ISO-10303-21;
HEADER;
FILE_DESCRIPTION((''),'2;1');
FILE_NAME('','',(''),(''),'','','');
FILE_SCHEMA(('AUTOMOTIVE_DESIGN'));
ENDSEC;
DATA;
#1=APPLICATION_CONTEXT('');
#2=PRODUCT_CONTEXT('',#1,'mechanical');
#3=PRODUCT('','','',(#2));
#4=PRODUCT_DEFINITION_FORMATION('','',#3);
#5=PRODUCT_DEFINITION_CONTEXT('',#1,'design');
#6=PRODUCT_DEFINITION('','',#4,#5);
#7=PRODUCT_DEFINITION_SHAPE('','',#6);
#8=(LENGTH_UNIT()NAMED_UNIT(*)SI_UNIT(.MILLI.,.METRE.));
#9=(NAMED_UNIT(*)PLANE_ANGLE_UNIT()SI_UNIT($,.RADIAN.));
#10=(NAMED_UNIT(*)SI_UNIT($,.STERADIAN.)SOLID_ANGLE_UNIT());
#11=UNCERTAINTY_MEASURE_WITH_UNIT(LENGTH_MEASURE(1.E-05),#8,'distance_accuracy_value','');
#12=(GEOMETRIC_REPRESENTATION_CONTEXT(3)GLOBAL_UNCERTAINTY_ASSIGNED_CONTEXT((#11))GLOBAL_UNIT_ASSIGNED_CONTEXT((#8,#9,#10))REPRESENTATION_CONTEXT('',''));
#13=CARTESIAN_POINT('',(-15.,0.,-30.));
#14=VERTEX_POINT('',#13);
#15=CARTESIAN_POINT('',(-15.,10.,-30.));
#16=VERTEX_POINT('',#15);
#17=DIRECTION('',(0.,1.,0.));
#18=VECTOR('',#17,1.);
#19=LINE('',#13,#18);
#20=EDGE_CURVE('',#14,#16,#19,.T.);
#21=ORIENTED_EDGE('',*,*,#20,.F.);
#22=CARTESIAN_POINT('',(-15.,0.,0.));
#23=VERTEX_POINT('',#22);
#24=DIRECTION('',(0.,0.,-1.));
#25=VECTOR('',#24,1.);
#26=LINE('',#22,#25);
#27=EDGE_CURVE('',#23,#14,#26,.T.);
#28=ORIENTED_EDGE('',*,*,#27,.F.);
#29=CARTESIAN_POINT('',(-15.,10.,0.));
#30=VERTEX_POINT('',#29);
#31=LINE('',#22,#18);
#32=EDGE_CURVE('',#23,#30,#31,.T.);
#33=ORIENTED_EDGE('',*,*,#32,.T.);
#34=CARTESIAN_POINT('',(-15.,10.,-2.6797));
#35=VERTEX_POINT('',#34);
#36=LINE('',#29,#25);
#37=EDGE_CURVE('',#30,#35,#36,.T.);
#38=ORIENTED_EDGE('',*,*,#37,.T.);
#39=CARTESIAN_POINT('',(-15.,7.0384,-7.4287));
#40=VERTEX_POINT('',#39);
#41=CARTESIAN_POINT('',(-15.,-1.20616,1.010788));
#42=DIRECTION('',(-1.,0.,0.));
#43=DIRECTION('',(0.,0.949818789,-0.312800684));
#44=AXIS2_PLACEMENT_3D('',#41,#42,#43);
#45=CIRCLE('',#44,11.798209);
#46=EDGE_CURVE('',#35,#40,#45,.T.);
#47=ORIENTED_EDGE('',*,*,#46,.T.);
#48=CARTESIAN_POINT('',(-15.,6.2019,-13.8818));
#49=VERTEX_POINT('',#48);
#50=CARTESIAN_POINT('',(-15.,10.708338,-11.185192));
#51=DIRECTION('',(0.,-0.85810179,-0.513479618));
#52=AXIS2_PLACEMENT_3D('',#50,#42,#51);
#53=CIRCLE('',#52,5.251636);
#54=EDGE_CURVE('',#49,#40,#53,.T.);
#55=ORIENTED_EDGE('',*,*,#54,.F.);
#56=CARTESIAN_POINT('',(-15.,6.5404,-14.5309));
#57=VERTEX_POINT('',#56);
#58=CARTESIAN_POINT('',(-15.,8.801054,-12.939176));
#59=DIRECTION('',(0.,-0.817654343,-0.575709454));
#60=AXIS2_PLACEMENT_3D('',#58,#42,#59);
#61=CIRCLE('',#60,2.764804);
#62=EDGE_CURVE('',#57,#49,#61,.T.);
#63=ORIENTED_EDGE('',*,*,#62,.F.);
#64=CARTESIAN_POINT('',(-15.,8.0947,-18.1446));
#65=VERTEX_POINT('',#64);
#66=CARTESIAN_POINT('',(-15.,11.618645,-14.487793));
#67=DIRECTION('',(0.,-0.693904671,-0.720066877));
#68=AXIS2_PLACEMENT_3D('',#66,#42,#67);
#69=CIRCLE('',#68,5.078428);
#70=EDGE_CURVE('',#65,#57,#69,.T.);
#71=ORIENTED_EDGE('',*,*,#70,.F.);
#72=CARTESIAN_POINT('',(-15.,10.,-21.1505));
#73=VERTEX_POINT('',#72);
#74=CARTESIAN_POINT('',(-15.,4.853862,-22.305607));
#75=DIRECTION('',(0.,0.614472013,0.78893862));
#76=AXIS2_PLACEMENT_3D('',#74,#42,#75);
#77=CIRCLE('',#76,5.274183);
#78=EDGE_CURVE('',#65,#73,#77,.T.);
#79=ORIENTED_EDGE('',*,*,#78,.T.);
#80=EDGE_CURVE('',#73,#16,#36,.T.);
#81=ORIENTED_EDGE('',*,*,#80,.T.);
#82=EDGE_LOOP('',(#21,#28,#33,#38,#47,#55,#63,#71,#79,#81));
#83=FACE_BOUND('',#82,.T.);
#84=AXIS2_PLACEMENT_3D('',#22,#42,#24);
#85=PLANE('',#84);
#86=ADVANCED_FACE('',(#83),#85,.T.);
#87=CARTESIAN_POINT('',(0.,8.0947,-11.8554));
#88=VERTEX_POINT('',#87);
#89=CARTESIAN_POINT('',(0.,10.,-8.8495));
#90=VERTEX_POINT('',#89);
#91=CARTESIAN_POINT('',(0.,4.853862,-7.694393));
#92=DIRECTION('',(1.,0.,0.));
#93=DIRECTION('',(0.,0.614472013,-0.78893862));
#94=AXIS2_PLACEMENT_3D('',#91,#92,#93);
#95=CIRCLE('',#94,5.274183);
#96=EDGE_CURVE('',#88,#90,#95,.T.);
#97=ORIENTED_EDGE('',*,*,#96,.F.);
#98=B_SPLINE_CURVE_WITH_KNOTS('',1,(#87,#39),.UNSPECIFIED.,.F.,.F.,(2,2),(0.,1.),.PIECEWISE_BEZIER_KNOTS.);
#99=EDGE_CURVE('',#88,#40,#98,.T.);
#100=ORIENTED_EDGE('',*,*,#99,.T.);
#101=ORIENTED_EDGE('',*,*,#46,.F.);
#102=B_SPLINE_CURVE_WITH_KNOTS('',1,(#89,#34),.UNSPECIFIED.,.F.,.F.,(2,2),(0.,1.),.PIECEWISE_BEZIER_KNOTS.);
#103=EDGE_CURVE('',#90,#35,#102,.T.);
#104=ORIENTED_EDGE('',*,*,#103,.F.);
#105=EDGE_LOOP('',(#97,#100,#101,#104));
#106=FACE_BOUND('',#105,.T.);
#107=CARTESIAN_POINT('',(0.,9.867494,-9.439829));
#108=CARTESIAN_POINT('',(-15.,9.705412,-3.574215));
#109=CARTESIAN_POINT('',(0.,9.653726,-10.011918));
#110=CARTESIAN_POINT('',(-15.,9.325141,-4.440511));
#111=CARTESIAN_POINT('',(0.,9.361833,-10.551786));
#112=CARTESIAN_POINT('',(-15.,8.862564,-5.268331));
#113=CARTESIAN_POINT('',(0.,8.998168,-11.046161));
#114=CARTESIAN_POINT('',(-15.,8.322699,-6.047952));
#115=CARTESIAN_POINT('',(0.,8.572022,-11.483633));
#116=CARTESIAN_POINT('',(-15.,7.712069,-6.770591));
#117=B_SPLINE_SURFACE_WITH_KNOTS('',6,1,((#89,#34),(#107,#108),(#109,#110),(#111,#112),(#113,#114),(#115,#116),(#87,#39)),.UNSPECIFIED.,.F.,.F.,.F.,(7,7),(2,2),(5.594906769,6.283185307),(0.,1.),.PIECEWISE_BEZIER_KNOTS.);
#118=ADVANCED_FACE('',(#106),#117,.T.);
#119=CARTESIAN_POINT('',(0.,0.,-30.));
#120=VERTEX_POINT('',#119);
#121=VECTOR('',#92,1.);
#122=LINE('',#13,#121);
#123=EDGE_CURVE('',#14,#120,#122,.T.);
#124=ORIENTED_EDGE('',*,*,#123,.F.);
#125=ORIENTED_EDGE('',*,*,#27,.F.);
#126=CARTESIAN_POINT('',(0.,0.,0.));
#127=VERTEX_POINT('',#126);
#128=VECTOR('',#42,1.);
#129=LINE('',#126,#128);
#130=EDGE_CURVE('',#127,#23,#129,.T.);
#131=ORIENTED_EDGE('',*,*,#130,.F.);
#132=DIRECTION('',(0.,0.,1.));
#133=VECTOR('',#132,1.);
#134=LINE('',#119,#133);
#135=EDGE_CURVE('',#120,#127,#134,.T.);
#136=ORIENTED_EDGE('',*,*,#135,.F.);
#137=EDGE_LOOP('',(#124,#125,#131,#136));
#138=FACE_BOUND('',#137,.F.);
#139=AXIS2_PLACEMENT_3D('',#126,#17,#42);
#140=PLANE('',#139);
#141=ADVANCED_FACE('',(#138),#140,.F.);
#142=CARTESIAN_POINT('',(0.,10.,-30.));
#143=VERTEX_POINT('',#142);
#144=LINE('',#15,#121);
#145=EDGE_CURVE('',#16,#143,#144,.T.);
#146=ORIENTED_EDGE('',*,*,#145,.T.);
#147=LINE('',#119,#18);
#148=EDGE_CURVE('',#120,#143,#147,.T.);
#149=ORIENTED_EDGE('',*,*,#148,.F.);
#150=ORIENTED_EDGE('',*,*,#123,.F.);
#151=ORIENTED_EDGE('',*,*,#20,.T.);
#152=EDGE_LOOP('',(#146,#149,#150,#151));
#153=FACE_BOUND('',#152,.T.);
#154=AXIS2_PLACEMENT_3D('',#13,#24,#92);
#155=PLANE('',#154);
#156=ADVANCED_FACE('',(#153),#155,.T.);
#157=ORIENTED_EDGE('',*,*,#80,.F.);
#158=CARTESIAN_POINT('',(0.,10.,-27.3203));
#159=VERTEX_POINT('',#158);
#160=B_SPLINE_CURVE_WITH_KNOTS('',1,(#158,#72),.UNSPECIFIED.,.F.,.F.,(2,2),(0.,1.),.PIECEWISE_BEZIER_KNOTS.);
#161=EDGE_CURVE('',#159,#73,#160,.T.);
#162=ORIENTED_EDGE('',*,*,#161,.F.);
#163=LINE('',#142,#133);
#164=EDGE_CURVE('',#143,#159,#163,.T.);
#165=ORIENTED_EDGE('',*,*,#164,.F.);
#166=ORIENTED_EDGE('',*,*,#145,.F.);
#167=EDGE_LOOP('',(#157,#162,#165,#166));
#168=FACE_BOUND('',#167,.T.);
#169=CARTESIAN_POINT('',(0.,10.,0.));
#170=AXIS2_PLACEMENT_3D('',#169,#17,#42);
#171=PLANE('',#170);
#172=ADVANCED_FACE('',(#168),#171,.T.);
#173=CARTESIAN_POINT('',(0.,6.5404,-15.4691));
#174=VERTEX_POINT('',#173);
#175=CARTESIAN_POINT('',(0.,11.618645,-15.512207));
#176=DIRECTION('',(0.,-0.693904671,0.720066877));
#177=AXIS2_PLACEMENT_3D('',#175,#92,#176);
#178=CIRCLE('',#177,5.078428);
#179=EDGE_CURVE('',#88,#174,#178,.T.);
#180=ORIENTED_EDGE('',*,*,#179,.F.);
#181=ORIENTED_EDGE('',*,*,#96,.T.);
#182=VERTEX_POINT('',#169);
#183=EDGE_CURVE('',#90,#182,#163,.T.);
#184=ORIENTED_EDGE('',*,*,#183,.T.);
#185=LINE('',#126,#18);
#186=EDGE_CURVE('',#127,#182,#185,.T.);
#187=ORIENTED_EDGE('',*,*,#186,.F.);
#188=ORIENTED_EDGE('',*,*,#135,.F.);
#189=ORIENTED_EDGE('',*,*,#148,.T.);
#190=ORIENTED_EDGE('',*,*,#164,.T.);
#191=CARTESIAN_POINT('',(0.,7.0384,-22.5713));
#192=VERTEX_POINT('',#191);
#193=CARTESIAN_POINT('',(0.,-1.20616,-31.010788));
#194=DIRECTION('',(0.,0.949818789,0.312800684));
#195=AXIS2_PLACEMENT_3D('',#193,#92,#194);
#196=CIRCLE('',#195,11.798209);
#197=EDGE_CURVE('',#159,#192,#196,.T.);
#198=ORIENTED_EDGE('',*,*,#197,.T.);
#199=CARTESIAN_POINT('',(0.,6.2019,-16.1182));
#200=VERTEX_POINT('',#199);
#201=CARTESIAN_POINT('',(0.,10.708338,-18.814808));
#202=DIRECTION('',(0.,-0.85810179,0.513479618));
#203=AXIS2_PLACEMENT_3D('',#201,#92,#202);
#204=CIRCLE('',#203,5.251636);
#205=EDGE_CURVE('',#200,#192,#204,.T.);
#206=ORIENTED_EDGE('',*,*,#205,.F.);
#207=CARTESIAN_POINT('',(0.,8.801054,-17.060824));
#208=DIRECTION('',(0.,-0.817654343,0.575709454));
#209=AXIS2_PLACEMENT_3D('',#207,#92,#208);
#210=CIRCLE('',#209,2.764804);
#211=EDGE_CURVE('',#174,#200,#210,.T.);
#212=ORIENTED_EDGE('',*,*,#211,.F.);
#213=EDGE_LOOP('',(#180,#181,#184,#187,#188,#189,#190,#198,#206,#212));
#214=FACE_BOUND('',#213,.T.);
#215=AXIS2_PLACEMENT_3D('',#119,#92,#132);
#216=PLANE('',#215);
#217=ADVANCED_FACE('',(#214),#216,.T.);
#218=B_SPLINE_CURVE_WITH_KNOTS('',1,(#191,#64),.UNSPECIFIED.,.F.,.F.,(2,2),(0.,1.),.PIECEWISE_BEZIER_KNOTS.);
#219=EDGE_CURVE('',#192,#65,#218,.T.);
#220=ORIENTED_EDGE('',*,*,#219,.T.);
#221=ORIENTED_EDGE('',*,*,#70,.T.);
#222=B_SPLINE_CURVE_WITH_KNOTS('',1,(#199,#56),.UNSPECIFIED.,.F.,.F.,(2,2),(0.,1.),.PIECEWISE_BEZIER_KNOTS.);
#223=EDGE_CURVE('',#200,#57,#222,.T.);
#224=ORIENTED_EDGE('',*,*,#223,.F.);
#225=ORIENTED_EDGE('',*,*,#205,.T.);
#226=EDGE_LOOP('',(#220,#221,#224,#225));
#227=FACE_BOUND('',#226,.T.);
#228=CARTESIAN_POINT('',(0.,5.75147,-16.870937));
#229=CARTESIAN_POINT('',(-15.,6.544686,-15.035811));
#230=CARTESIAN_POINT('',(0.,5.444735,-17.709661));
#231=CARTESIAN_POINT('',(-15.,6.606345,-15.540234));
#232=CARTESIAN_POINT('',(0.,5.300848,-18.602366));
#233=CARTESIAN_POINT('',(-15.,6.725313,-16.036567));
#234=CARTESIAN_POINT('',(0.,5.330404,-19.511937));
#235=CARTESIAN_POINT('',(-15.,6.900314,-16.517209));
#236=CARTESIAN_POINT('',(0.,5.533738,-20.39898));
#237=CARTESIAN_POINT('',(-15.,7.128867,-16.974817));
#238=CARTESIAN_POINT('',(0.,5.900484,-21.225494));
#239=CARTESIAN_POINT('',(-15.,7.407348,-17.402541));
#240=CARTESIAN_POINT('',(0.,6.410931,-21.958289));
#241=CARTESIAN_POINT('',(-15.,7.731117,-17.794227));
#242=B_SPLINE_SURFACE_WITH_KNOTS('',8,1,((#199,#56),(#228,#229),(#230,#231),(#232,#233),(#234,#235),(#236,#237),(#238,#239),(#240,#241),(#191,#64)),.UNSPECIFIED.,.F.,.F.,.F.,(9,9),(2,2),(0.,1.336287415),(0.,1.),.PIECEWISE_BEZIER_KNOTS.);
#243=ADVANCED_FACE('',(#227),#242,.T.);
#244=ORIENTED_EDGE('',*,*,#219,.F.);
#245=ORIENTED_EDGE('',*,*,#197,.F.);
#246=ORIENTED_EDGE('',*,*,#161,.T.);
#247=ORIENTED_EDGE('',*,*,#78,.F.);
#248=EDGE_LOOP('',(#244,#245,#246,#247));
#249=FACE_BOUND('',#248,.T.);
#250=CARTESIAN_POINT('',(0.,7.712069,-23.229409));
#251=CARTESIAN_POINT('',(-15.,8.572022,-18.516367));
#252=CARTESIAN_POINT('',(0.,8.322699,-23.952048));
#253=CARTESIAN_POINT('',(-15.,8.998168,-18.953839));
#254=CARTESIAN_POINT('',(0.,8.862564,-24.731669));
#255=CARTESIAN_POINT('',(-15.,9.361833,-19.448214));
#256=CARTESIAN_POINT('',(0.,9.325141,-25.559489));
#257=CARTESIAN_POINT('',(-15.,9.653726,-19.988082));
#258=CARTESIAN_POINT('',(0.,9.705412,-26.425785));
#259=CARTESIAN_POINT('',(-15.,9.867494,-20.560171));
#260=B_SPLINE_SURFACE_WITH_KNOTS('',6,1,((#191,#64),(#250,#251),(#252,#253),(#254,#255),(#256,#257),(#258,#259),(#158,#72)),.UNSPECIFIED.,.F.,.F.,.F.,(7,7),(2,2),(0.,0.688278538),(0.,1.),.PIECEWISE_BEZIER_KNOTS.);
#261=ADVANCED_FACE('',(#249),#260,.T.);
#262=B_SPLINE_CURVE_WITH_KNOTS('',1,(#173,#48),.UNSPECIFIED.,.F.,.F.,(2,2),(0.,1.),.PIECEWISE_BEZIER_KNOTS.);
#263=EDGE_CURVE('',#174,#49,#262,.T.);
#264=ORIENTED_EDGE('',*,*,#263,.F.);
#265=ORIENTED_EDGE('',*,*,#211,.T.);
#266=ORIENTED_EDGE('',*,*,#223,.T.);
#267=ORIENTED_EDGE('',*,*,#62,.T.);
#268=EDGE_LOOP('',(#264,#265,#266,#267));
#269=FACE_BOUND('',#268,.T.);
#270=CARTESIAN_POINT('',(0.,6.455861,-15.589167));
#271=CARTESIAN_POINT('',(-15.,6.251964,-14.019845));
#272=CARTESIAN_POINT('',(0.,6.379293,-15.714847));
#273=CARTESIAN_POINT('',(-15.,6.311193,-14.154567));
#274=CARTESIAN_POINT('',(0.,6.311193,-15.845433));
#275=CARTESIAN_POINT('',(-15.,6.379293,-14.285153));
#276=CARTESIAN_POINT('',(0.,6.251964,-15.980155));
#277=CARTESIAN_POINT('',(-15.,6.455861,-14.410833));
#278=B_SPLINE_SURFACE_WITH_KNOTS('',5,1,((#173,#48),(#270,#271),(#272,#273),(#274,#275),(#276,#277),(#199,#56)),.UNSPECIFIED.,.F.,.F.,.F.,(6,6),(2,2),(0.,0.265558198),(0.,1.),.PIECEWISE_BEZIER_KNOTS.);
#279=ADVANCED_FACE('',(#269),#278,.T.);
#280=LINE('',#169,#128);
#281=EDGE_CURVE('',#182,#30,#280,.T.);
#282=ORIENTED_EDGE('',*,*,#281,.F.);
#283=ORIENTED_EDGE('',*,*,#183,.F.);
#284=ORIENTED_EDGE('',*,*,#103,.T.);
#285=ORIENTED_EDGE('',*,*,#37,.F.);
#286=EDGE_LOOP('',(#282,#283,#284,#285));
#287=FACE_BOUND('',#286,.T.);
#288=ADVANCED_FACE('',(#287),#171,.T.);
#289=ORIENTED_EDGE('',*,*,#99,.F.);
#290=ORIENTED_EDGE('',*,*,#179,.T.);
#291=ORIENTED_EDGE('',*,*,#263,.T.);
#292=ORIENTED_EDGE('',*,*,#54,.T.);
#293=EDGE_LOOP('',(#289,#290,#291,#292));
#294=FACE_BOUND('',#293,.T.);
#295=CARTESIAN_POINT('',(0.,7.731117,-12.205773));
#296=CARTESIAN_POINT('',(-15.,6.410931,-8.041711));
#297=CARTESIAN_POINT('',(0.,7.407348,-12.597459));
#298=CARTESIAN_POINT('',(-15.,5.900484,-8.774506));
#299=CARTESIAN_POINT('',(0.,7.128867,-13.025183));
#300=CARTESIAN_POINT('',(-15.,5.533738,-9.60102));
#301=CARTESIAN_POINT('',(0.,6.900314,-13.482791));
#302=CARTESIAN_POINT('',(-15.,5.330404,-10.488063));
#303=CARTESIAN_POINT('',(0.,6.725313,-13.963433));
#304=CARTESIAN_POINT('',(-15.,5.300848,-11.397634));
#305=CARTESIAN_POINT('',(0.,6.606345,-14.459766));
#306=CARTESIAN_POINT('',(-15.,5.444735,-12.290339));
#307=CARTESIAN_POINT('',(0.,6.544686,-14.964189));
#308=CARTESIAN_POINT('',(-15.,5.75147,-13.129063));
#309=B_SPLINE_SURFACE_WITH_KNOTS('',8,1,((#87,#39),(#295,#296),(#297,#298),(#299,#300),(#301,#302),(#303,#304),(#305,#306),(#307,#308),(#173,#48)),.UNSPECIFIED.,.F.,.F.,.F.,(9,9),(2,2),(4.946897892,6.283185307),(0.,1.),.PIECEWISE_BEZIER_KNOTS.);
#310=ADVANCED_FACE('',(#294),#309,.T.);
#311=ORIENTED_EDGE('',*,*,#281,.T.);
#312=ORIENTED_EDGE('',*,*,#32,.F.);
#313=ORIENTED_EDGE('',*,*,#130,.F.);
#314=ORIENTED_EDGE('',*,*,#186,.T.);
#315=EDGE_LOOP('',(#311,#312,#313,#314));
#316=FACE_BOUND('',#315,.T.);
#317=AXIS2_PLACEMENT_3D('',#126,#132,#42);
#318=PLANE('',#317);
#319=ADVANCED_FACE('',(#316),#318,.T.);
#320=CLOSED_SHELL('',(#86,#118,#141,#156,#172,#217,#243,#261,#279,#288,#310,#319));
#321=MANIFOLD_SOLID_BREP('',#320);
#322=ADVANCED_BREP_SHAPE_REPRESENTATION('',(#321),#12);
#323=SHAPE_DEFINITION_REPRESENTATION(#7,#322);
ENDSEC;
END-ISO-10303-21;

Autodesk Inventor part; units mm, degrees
ref_plane "YZ Plane" through (0, 0, 0) normal (1, 0, 0) x (0, 1, 0)
ref_plane "XZ Plane" through (0, 0, 0) normal (0, 1, 0) x (-1, 0, 0)
ref_plane "XY Plane" through (0, 0, 0) normal (0, 0, 1) x (1, 0, 0)
sketch "Sketch1" plane through (0, 0, 0) normal (0, 1, 0) x (-1, 0, 0)
  line L0 (0, 0) -> (15, 0)
  line L1 (15, 0) -> (15, -30)
  line L2 (15, -30) -> (0, -30)
  line L3 (0, -30) -> (0, 0)
  dimension "d0" = 15
  dimension "d1" = 30
extrude "Extrusion1" add sketch "Sketch1" along normal blind 10
sketch "Sketch2" plane through (0, 0, 0) normal (1, 0, 0) x (0, 0, -1)
  line L0 (30, 10) -> (0, 10) projected
  arc A0 (11.8554, 8.0947) -> (8.8495, 10) centre (7.6947, 4.8542) ccw
  arc A1 (11.8554, 8.0947) -> (15.4691, 6.5404) centre (15.5119, 11.6182) ccw
  arc A2 (15.4691, 6.5404) -> (16.1182, 6.2019) centre (17.0614, 8.802) ccw
  arc A3 (16.1182, 6.2019) -> (22.5713, 7.0384) centre (18.8148, 10.7083) ccw
  arc A4 (27.3203, 10) -> (22.5713, 7.0384) centre (31.0109, -1.2064) ccw
  line L1 (27.3203, 10) -> (8.8495, 10)
  point P0 (0, 0)
  dimension "d4" = 2.6797
  dimension "d6" = 8.8495
sketch "Sketch4" plane through (-15, 0, -30) normal (-1, 0, 0) x (0, 0, 1)
  line L0 (30, 10) -> (0, 10)
  arc A0 (11.8554, 8.0947) -> (8.8495, 10) centre (7.6947, 4.8542) ccw
  arc A1 (11.8554, 8.0947) -> (15.4691, 6.5404) centre (15.5119, 11.6182) ccw
  arc A2 (15.4691, 6.5404) -> (16.1182, 6.2019) centre (17.0614, 8.802) ccw
  arc A3 (16.1182, 6.2019) -> (22.5713, 7.0384) centre (18.8148, 10.7083) ccw
  arc A4 (27.3203, 10) -> (22.5713, 7.0384) centre (31.0109, -1.2064) ccw
  line L1 (27.3203, 10) -> (8.8495, 10)
  point P0 (30, 0)
  point P1 (0, 0)
  dimension "d8" = 2.6797
  dimension "d9" = 8.8495
loft "Loft1" cut profiles "Sketch2", "Sketch4"
properties part number "crazy_test_2"
